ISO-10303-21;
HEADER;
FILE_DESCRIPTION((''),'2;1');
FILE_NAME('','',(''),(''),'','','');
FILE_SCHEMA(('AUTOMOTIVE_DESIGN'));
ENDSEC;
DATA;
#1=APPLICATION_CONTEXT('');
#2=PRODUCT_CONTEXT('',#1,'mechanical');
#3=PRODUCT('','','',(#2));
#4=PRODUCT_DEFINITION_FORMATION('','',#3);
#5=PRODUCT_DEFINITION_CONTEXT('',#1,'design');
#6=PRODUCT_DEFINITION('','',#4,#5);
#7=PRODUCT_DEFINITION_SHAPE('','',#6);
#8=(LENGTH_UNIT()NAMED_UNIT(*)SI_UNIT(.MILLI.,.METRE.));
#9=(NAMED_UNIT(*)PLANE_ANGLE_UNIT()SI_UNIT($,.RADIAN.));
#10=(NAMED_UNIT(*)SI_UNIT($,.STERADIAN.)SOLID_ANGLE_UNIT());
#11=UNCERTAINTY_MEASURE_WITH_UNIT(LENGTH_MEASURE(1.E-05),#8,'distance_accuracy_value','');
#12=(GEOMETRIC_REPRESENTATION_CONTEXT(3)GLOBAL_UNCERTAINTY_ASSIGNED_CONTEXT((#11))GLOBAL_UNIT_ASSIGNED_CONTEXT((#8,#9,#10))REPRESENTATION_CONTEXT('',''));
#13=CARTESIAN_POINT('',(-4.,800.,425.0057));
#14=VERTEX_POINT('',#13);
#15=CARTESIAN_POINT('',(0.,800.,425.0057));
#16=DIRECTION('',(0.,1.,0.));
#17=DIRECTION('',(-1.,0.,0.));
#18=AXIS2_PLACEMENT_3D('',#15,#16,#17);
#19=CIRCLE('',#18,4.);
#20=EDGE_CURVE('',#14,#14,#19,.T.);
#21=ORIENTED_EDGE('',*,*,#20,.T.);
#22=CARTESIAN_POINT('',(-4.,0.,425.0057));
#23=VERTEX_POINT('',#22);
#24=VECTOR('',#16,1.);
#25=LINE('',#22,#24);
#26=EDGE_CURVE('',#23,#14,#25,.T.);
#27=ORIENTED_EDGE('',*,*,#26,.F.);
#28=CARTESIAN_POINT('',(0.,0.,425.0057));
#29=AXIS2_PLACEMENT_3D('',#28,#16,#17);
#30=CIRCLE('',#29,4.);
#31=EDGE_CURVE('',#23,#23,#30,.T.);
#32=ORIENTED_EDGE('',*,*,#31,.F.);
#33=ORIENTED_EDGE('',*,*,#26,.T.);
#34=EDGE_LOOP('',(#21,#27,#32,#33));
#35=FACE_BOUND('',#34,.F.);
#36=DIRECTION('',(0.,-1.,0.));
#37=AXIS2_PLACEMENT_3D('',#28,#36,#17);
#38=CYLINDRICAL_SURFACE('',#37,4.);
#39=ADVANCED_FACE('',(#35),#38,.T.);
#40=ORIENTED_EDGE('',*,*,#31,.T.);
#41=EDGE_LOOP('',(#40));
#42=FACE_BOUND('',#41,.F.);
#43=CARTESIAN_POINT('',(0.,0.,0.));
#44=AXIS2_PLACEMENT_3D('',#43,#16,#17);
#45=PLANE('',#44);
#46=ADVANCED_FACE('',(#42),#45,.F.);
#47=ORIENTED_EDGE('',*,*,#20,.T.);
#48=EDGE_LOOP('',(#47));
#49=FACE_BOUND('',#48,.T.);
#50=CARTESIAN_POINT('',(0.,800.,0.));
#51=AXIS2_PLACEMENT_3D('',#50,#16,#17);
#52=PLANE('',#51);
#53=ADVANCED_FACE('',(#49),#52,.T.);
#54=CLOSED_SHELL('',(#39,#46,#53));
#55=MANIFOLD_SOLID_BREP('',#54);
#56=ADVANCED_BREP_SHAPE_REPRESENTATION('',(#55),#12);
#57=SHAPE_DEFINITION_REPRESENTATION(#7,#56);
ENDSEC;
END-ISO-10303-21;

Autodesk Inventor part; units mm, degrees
ref_plane "YZ Plane" through (0, 0, 0) normal (1, 0, 0) x (0, 1, 0)
ref_plane "XZ Plane" through (0, 0, 0) normal (0, 1, 0) x (-1, 0, 0)
ref_plane "XY Plane" through (0, 0, 0) normal (0, 0, 1) x (1, 0, 0)
sketch "Sketch1" plane through (0, 0, 0) normal (0, 1, 0) x (-1, 0, 0)
  point P0 (0, 0)
sketch "Sketch2" plane through (0, 0, 0) normal (0, 1, 0) x (-1, 0, 0)
  circle A0 centre (0, 425.0057) radius 4
  point P0 (0, 0)
  dimension "d0" = 8
extrude "Extrusion1" add sketch "Sketch2" along normal blind 800
thread "Thread1" size "M8x1.25" class "6g" standard "ANSI Metric M Profile" full length
properties part number "Lead Screw-A"
